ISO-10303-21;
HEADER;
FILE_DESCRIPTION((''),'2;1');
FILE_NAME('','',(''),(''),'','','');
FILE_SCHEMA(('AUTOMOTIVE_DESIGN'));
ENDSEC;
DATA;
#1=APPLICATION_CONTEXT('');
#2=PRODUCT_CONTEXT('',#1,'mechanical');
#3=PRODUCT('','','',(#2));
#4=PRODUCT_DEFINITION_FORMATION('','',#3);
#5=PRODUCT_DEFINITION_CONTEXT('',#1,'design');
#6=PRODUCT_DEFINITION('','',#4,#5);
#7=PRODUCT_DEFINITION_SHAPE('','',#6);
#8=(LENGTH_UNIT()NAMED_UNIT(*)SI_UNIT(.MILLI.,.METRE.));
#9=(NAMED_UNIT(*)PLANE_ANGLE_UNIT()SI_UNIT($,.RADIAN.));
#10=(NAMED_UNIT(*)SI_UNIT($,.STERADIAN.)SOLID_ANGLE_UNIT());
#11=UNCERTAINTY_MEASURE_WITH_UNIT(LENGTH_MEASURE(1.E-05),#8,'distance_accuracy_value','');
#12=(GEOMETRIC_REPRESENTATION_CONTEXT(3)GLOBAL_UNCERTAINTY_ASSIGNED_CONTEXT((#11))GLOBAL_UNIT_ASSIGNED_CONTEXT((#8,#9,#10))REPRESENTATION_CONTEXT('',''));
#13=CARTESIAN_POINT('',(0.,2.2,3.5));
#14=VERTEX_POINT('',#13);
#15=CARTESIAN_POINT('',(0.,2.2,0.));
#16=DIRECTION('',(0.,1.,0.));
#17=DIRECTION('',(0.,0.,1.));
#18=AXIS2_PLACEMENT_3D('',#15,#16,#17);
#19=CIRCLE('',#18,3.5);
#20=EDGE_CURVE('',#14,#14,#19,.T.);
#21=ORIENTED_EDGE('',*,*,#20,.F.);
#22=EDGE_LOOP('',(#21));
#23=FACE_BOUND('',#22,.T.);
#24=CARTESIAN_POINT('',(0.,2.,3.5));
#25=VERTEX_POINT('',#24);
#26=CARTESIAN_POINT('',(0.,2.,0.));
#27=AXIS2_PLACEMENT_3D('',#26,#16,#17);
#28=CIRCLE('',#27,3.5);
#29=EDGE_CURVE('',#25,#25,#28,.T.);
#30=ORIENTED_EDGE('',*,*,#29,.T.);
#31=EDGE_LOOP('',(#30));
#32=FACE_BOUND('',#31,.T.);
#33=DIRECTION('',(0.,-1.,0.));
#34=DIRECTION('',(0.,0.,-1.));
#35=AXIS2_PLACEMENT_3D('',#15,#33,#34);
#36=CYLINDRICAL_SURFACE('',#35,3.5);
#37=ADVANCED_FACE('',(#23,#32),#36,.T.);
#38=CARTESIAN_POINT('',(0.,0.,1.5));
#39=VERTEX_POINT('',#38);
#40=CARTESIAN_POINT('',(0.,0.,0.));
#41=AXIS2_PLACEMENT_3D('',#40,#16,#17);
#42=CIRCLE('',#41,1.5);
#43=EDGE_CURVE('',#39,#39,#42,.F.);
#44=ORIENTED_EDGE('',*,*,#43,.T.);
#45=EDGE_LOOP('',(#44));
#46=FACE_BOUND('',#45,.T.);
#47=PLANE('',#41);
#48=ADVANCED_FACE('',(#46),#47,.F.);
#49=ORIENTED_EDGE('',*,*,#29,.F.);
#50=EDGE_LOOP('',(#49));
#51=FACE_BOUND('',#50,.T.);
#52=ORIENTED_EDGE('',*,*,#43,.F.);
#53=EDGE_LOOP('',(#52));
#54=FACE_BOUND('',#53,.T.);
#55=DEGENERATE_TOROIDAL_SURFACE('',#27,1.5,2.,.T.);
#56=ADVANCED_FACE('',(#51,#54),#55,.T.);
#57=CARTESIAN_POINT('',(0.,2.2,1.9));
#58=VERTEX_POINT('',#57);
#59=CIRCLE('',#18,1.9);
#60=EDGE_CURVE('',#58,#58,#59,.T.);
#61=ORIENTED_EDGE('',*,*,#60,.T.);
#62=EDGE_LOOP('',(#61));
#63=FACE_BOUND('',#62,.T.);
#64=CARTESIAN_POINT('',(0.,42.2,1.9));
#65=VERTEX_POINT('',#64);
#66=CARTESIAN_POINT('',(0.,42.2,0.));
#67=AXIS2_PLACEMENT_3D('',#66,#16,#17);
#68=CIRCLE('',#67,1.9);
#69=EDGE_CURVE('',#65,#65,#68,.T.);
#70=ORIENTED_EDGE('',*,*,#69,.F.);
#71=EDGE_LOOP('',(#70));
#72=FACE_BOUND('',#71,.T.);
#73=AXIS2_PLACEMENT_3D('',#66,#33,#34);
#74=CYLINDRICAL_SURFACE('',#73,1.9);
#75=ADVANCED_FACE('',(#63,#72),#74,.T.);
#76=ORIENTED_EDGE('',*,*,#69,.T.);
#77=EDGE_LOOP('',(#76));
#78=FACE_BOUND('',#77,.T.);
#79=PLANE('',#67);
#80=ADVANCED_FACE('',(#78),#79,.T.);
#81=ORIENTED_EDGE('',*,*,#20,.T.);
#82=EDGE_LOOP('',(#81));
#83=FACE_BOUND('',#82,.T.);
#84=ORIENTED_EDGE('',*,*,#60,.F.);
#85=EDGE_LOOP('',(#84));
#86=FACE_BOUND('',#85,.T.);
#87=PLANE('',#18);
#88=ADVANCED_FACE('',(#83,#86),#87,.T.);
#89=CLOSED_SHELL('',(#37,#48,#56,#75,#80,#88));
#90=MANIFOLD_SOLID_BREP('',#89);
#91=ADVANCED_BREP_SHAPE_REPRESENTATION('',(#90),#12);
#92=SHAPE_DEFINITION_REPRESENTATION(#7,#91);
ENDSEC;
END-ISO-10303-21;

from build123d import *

# Parameters (mm, degrees)
SKETCH1_R           = 3.5
BOSS_EXTRUDE1_DEPTH = 2.2
SKETCH2_R           = 1.9
BOSS_EXTRUDE2_DEPTH = 40
FILLET1_R           = 2


with BuildPart() as part:
    # Sketch1 → Boss-Extrude1 (new body)
    with BuildSketch(Plane(origin=(0, 0, 0), x_dir=(1, 0, 0), z_dir=(0, 1, 0))):
        Circle(SKETCH1_R)
    extrude(amount=BOSS_EXTRUDE1_DEPTH)

    # Sketch2 → Boss-Extrude2 (add)
    with BuildSketch(Plane(origin=(0, 2.2, 0), x_dir=(1, 0, 0), z_dir=(0, 1, 0))):
        Circle(SKETCH2_R)
    extrude(amount=BOSS_EXTRUDE2_DEPTH)

    # Fillet1
    fillet1_edges = [part.edges().sort_by_distance(p)[0] for p in [
        (-3.5, 0, 0),
    ]]
    fillet(fillet1_edges, radius=FILLET1_R)


solid = part.part
